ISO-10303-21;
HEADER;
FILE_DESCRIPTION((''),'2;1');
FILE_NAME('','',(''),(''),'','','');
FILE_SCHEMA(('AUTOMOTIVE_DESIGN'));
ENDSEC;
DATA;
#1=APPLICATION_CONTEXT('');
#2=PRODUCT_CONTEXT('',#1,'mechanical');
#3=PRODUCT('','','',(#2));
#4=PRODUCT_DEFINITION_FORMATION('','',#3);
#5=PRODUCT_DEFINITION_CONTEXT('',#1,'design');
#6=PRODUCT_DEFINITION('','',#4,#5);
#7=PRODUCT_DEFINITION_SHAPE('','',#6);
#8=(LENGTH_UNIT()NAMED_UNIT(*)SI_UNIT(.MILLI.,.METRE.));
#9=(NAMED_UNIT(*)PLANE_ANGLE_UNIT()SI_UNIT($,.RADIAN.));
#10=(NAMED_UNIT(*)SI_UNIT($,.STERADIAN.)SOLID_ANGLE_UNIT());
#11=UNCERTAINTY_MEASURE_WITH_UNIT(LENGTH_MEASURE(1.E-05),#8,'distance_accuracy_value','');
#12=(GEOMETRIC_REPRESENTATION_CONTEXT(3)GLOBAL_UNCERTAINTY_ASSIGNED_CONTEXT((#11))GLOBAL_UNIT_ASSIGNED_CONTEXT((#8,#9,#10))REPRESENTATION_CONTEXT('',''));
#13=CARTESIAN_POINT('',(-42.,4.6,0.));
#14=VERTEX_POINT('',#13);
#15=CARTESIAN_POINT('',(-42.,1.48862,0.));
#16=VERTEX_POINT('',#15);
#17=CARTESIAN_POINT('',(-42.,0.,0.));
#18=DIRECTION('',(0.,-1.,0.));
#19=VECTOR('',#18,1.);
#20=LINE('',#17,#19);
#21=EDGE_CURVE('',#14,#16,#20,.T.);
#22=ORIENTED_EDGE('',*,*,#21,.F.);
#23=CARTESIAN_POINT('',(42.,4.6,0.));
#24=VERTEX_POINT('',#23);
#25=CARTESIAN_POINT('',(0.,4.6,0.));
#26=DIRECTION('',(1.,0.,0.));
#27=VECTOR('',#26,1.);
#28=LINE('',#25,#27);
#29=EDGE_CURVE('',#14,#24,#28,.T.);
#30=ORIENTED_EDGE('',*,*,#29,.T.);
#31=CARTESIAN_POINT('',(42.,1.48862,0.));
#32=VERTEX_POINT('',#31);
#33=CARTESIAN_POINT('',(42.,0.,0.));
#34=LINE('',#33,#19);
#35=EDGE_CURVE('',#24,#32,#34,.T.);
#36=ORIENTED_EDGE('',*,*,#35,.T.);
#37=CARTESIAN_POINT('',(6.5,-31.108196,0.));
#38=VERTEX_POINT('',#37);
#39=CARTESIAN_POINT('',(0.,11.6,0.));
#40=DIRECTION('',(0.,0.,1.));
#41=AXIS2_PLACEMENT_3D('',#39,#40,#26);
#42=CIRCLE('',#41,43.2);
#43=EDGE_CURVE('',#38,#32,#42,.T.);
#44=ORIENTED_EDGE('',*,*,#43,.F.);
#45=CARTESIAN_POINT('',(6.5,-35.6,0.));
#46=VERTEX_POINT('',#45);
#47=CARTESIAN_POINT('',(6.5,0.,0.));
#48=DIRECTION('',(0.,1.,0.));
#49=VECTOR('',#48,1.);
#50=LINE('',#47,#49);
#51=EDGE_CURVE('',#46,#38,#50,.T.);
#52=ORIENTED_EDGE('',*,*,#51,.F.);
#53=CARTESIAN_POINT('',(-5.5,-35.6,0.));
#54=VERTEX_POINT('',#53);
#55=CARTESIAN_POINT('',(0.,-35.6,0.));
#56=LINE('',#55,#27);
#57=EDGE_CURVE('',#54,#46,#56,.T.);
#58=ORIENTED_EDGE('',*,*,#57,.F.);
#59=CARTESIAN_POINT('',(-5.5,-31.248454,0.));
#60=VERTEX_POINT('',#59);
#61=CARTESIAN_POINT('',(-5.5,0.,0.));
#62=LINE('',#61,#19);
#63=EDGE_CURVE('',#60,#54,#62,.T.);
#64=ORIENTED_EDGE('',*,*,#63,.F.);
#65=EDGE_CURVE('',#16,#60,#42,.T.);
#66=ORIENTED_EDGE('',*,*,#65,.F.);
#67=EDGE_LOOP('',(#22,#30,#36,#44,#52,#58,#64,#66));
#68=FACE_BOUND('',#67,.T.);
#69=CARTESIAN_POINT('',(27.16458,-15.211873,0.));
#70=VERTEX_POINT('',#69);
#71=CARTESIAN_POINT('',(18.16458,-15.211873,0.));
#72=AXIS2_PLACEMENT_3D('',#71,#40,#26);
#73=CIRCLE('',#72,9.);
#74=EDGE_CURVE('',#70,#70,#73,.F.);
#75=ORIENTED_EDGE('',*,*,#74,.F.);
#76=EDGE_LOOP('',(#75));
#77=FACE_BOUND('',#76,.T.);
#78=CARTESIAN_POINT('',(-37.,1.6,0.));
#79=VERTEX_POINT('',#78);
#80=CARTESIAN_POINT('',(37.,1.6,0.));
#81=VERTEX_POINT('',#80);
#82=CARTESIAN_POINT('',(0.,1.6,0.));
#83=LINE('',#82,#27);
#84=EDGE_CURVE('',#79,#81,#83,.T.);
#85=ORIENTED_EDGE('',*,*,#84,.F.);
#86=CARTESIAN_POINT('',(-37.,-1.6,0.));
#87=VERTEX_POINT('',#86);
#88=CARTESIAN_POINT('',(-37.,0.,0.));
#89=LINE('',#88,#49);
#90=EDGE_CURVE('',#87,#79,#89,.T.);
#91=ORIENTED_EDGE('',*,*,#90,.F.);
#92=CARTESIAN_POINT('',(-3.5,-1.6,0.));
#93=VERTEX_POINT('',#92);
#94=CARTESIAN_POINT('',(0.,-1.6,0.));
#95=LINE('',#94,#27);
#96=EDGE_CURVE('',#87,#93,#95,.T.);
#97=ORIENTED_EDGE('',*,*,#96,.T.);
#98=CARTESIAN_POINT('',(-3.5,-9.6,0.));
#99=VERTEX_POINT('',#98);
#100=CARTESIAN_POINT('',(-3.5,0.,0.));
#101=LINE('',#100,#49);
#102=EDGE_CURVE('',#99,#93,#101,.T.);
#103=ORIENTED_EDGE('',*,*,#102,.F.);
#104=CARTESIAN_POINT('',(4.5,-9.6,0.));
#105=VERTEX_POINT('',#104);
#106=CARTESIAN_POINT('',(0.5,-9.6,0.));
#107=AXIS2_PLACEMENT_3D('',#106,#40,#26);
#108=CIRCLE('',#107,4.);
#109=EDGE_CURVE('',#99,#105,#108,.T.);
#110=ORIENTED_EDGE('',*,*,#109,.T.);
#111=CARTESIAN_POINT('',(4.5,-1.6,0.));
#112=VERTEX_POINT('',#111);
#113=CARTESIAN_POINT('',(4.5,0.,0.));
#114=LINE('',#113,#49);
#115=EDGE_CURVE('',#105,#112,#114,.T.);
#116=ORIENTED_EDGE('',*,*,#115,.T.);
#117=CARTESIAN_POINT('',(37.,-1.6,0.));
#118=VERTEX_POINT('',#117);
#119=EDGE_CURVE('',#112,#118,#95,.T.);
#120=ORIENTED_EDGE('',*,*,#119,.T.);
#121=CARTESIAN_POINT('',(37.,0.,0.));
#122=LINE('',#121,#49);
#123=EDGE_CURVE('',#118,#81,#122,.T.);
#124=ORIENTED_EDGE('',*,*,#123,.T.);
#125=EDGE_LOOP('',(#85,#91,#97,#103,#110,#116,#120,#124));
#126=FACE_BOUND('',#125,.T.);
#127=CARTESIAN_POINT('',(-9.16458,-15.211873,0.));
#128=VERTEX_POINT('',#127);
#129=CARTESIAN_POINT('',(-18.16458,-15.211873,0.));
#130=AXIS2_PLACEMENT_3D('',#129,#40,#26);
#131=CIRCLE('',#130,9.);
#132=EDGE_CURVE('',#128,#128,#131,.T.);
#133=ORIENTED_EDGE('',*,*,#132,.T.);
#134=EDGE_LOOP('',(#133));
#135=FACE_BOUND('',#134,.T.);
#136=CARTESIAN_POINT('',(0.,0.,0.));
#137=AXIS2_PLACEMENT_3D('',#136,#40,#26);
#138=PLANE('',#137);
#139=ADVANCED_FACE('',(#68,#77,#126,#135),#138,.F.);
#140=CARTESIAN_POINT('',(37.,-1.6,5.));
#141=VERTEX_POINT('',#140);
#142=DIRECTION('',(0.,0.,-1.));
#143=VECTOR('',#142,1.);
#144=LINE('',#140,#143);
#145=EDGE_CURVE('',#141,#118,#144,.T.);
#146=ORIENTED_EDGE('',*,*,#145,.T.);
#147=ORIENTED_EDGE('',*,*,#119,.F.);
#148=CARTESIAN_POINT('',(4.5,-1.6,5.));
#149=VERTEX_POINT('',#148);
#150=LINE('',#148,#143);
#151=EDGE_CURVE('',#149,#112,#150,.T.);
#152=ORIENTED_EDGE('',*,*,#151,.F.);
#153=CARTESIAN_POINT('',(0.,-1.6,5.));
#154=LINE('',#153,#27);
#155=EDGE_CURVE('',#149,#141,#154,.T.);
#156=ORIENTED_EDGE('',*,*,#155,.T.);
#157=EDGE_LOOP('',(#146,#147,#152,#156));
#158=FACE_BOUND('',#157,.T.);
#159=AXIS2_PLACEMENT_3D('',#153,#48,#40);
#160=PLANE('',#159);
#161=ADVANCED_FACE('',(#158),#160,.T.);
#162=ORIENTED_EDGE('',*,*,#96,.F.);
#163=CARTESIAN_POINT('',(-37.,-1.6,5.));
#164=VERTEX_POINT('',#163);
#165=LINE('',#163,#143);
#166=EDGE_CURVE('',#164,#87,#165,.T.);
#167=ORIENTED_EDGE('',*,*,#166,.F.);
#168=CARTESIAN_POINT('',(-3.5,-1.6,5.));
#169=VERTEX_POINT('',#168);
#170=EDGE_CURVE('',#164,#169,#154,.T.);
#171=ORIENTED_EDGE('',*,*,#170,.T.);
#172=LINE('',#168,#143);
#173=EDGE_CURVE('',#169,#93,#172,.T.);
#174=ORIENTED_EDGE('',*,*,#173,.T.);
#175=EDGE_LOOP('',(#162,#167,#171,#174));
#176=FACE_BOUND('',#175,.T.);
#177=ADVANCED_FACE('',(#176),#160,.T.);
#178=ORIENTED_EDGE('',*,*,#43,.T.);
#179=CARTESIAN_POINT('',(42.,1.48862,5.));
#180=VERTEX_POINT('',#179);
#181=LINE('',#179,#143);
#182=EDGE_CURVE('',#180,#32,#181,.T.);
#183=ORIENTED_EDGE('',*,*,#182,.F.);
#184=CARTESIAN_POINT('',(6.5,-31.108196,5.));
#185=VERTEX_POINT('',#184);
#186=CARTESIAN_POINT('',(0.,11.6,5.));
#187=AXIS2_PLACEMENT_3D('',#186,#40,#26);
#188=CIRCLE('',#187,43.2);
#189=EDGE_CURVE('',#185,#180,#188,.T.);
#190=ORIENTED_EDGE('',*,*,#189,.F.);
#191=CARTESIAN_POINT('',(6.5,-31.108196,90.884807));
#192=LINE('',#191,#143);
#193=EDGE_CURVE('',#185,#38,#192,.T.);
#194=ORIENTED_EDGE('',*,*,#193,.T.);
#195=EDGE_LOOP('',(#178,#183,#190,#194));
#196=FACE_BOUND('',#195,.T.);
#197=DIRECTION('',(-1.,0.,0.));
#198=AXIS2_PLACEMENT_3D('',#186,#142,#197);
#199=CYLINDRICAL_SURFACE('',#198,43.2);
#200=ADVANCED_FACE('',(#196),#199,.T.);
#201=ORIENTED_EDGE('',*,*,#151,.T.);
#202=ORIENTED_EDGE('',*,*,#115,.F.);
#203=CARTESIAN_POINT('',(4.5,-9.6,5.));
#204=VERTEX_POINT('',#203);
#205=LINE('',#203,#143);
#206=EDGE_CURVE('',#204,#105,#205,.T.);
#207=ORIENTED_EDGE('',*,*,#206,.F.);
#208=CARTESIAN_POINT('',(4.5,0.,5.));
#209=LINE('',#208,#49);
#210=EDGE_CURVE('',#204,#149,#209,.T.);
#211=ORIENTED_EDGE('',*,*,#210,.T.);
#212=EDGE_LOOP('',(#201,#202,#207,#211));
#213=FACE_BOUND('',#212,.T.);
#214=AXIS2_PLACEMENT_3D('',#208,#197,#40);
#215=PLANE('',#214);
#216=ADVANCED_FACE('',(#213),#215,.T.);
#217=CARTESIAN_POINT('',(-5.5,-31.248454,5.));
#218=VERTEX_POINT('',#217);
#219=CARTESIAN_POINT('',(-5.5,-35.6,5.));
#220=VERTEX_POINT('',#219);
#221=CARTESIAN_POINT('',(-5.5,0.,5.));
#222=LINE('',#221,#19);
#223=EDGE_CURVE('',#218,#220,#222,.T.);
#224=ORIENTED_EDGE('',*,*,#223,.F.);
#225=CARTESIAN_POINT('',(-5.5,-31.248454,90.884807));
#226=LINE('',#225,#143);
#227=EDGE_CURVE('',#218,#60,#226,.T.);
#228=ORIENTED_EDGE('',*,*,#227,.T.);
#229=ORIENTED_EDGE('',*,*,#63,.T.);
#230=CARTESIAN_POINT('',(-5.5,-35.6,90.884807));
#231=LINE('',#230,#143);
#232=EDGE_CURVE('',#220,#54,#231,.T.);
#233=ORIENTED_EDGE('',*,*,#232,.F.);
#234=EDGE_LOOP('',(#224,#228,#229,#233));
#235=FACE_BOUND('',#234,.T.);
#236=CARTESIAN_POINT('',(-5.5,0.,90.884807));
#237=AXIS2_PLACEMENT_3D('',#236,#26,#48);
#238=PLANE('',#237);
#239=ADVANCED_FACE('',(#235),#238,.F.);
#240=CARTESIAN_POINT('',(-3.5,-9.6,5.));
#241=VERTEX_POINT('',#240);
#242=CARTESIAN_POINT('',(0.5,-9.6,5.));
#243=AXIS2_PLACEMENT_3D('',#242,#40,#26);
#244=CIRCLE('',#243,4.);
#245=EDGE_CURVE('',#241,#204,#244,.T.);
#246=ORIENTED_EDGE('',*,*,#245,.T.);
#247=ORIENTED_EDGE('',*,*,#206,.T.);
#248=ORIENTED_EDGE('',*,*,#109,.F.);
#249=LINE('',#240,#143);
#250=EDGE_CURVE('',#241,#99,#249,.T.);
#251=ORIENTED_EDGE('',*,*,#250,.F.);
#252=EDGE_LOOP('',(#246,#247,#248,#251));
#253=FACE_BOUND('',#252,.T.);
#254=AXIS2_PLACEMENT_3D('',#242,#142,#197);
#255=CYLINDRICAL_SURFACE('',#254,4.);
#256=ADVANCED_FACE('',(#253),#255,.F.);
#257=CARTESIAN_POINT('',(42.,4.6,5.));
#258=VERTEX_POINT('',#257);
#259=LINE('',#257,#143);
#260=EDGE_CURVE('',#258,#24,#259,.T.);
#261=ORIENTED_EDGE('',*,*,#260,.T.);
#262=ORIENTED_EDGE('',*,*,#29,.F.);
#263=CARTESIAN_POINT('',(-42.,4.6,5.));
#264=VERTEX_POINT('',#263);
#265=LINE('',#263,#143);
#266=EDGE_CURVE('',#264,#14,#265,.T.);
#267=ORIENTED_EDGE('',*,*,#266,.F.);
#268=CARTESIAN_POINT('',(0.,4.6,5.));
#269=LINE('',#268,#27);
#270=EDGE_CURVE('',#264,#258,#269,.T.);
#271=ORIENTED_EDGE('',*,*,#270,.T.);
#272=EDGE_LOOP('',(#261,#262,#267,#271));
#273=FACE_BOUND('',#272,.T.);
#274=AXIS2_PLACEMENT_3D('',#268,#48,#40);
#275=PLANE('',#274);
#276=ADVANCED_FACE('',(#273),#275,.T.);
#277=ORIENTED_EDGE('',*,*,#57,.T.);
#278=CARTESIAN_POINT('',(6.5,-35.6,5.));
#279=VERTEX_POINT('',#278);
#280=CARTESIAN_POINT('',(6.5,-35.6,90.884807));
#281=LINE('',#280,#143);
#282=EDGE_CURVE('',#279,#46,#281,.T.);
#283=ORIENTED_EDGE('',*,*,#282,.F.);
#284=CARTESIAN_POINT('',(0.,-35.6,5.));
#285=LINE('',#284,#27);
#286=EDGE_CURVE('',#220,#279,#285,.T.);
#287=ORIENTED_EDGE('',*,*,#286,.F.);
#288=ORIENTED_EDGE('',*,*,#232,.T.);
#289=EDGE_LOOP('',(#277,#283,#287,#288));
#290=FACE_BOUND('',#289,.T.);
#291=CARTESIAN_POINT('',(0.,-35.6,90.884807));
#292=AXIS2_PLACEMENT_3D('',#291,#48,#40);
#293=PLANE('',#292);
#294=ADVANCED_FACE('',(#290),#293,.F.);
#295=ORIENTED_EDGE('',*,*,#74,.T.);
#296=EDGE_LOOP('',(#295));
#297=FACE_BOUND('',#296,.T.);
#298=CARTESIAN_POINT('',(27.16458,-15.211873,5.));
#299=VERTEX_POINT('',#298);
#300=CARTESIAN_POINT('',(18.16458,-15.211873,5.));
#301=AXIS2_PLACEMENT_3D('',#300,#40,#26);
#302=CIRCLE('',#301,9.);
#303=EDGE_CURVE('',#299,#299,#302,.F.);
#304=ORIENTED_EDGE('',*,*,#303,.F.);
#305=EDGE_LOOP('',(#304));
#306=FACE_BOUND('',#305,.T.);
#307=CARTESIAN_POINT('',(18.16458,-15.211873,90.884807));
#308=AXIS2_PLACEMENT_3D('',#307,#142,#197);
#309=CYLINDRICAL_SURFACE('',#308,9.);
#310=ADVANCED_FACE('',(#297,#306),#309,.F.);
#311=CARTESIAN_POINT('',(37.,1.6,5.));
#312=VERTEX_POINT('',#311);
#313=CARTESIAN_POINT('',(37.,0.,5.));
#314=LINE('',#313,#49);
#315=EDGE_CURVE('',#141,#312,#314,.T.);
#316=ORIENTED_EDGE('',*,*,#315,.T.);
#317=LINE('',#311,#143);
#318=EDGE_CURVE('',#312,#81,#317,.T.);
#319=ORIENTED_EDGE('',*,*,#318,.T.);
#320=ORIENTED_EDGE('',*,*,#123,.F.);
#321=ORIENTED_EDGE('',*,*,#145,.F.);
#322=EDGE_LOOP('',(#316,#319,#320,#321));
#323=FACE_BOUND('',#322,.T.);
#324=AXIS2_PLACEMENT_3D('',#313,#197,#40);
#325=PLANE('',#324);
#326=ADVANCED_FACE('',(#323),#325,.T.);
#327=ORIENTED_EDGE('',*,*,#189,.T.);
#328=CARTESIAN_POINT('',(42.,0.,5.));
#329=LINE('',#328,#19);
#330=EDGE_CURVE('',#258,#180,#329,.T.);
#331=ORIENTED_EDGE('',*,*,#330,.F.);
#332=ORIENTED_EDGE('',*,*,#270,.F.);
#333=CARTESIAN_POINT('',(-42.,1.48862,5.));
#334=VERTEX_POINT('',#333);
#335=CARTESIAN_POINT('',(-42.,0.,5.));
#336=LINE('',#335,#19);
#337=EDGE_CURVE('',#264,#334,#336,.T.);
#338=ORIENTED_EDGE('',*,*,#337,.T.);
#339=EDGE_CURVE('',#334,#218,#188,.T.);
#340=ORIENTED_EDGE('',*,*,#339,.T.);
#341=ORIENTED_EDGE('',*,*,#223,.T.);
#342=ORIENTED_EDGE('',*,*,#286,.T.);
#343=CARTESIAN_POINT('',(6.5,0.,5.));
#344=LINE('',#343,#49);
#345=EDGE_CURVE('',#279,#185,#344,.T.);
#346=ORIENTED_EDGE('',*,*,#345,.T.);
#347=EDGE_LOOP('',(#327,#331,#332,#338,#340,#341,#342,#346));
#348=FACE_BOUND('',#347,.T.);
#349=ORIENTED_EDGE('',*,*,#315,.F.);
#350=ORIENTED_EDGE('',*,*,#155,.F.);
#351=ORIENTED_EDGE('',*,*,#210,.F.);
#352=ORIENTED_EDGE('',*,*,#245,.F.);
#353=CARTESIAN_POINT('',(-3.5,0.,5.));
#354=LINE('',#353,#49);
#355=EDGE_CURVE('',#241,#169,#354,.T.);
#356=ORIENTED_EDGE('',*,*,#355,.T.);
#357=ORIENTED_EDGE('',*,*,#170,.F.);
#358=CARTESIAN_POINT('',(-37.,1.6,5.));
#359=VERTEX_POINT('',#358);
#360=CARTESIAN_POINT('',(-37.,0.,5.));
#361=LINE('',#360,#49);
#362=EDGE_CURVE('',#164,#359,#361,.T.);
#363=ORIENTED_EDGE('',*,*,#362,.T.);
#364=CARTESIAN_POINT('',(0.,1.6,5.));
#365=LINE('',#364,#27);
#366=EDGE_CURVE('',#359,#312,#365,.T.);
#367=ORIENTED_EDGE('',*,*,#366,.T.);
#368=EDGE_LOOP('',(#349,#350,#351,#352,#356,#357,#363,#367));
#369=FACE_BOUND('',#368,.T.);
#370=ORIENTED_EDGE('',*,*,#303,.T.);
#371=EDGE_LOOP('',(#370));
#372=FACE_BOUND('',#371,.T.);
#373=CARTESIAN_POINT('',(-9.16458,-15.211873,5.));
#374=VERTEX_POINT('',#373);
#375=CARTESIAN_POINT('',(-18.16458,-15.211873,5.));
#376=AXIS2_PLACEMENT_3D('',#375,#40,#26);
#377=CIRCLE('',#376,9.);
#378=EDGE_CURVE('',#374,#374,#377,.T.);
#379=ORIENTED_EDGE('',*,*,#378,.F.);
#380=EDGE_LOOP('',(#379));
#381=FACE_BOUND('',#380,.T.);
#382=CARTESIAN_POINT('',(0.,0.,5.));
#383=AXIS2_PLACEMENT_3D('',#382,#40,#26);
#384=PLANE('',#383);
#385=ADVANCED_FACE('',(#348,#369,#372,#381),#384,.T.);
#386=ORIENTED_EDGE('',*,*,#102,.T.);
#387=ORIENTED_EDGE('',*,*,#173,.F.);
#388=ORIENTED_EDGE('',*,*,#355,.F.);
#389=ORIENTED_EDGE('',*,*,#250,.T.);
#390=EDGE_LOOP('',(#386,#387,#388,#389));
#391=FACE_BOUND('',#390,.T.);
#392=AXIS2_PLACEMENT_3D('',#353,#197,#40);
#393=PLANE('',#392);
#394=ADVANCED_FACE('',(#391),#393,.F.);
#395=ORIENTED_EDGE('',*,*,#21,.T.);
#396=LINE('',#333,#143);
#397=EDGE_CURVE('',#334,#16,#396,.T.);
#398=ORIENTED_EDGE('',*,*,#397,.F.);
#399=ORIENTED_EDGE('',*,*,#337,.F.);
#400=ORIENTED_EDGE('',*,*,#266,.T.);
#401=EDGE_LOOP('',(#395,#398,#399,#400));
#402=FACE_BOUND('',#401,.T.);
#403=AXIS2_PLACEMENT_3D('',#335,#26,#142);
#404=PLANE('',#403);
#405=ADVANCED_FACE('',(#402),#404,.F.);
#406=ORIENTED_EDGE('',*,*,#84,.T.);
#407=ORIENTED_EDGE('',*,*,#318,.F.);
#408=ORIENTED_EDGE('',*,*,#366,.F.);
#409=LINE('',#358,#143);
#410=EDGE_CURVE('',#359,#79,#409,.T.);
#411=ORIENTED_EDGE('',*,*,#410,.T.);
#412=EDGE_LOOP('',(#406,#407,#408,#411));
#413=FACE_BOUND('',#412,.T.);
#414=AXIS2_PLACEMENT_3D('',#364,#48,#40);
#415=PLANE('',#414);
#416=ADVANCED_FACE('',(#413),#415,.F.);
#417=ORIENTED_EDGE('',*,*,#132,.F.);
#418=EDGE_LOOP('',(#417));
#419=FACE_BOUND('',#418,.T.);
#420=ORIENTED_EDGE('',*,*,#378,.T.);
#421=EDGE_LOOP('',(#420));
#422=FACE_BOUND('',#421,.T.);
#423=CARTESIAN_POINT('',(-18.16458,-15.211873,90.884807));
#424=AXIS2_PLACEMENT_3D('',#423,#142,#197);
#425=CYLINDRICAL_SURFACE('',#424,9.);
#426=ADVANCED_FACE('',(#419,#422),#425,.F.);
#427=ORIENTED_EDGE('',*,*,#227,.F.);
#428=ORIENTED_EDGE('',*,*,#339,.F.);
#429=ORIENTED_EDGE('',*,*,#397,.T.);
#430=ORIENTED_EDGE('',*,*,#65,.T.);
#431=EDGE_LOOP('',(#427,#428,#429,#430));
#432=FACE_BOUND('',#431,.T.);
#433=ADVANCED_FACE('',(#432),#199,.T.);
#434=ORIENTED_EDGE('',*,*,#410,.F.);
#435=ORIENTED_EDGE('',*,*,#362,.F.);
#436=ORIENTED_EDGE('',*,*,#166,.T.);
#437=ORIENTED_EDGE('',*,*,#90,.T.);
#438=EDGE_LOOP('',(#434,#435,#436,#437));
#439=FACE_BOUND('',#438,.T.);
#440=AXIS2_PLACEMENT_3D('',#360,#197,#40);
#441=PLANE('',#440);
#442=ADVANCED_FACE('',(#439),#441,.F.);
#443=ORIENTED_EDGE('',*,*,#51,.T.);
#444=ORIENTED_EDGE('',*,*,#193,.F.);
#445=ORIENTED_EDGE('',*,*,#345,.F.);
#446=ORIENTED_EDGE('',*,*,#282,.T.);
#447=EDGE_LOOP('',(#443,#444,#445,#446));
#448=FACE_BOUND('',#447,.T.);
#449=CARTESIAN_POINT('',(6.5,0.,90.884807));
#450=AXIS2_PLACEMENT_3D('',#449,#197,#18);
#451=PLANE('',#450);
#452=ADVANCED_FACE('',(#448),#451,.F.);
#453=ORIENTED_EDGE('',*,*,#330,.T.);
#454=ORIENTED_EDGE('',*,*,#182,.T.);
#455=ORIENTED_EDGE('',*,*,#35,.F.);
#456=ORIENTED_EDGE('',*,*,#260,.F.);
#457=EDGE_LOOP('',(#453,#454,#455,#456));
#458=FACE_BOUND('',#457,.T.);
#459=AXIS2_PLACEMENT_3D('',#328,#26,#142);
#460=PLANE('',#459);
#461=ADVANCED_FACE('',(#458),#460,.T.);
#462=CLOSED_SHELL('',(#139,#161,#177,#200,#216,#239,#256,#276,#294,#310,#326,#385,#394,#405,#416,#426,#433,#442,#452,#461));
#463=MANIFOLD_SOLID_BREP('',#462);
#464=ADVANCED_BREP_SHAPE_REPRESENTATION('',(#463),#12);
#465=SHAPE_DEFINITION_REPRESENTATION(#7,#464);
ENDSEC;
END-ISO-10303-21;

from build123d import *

# Parameters (mm, degrees)
SALIENTE_EXTRUIR1_DEPTH = 5
CROQUIS3_R              = 9
SALIENTE_EXTRUIR2_DEPTH = 5


with BuildPart() as part:
    # Croquis1 → Saliente-Extruir1 (new body)
    with BuildSketch(Plane.XY):
        with BuildLine():
            Line((42, 4.6), (-42, 4.6))
            Line((-42, 4.6), (-42, 1.488620272))
            ThreePointArc((-42, 1.488620272), (-41.136537684, -1.59186368), (-40.04747183, -4.6))
            Line((-40.04747183, -4.6), (-5.5, -4.6))
            Line((-5.5, -4.6), (-5.5, -9.6))
            ThreePointArc((-5.5, -9.6), (0.5, -15.6), (6.5, -9.6))
            Line((6.5, -9.6), (6.5, -4.6))
            Line((6.5, -4.6), (40.04747183, -4.6))
            ThreePointArc((40.04747183, -4.6), (41.136537684, -1.59186368), (42, 1.488620272))
            Line((42, 1.488620272), (42, 4.6))
        make_face()
        with BuildLine():
            Line((-3.5, -1.6), (-37, -1.6))
            Line((-37, -1.6), (-37, 1.6))
            Line((-37, 1.6), (37, 1.6))
            Line((37, 1.6), (37, -1.6))
            Line((37, -1.6), (4.5, -1.6))
            Line((4.5, -1.6), (4.5, -4.6))
            Line((4.5, -4.6), (4.5, -5.127864045))
            Line((4.5, -5.127864045), (4.5, -8.163859338))
            Line((4.5, -8.163859338), (4.5, -9.6))
            ThreePointArc((4.5, -9.6), (0.5, -13.6), (-3.5, -9.6))
            Line((-3.5, -9.6), (-3.5, -8.163859338))
            Line((-3.5, -8.163859338), (-3.5, -5.127864045))
            Line((-3.5, -5.127864045), (-3.5, -4.6))
            Line((-3.5, -4.6), (-3.5, -1.6))
        make_face(mode=Mode.SUBTRACT)
    extrude(amount=SALIENTE_EXTRUIR1_DEPTH)

    # Croquis3 → Saliente-Extruir2 (add)
    with BuildSketch(Plane.XY):
        with BuildLine():
            Line((6.5, -4.6), (40.04747183, -4.6))
            ThreePointArc((40.04747183, -4.6), (26.783164421, -22.295458451), (6.5, -31.108195935))
            Line((6.5, -31.108195935), (6.5, -35.6))
            Line((6.5, -35.6), (-5.5, -35.6))
            Line((-5.5, -35.6), (-5.5, -31.248453881))
            ThreePointArc((-5.5, -31.248453881), (-9.599739244, -30.51988849), (-13.610290225, -29.4))
            ThreePointArc((-13.610290225, -29.4), (-29.555859947, -19.907001489), (-40.04747183, -4.6))
            Line((-40.04747183, -4.6), (-5.5, -4.6))
            Line((-5.5, -4.6), (-5.5, -9.6))
            ThreePointArc((-5.5, -9.6), (0.5, -15.6), (6.5, -9.6))
            Line((6.5, -9.6), (6.5, -4.6))
        make_face()
        with Locations((-18.164580145, -15.2118728)):
            Circle(CROQUIS3_R, mode=Mode.SUBTRACT)
        with Locations((18.164580145, -15.2118728)):
            Circle(CROQUIS3_R, mode=Mode.SUBTRACT)
    extrude(amount=SALIENTE_EXTRUIR2_DEPTH)


solid = part.part
